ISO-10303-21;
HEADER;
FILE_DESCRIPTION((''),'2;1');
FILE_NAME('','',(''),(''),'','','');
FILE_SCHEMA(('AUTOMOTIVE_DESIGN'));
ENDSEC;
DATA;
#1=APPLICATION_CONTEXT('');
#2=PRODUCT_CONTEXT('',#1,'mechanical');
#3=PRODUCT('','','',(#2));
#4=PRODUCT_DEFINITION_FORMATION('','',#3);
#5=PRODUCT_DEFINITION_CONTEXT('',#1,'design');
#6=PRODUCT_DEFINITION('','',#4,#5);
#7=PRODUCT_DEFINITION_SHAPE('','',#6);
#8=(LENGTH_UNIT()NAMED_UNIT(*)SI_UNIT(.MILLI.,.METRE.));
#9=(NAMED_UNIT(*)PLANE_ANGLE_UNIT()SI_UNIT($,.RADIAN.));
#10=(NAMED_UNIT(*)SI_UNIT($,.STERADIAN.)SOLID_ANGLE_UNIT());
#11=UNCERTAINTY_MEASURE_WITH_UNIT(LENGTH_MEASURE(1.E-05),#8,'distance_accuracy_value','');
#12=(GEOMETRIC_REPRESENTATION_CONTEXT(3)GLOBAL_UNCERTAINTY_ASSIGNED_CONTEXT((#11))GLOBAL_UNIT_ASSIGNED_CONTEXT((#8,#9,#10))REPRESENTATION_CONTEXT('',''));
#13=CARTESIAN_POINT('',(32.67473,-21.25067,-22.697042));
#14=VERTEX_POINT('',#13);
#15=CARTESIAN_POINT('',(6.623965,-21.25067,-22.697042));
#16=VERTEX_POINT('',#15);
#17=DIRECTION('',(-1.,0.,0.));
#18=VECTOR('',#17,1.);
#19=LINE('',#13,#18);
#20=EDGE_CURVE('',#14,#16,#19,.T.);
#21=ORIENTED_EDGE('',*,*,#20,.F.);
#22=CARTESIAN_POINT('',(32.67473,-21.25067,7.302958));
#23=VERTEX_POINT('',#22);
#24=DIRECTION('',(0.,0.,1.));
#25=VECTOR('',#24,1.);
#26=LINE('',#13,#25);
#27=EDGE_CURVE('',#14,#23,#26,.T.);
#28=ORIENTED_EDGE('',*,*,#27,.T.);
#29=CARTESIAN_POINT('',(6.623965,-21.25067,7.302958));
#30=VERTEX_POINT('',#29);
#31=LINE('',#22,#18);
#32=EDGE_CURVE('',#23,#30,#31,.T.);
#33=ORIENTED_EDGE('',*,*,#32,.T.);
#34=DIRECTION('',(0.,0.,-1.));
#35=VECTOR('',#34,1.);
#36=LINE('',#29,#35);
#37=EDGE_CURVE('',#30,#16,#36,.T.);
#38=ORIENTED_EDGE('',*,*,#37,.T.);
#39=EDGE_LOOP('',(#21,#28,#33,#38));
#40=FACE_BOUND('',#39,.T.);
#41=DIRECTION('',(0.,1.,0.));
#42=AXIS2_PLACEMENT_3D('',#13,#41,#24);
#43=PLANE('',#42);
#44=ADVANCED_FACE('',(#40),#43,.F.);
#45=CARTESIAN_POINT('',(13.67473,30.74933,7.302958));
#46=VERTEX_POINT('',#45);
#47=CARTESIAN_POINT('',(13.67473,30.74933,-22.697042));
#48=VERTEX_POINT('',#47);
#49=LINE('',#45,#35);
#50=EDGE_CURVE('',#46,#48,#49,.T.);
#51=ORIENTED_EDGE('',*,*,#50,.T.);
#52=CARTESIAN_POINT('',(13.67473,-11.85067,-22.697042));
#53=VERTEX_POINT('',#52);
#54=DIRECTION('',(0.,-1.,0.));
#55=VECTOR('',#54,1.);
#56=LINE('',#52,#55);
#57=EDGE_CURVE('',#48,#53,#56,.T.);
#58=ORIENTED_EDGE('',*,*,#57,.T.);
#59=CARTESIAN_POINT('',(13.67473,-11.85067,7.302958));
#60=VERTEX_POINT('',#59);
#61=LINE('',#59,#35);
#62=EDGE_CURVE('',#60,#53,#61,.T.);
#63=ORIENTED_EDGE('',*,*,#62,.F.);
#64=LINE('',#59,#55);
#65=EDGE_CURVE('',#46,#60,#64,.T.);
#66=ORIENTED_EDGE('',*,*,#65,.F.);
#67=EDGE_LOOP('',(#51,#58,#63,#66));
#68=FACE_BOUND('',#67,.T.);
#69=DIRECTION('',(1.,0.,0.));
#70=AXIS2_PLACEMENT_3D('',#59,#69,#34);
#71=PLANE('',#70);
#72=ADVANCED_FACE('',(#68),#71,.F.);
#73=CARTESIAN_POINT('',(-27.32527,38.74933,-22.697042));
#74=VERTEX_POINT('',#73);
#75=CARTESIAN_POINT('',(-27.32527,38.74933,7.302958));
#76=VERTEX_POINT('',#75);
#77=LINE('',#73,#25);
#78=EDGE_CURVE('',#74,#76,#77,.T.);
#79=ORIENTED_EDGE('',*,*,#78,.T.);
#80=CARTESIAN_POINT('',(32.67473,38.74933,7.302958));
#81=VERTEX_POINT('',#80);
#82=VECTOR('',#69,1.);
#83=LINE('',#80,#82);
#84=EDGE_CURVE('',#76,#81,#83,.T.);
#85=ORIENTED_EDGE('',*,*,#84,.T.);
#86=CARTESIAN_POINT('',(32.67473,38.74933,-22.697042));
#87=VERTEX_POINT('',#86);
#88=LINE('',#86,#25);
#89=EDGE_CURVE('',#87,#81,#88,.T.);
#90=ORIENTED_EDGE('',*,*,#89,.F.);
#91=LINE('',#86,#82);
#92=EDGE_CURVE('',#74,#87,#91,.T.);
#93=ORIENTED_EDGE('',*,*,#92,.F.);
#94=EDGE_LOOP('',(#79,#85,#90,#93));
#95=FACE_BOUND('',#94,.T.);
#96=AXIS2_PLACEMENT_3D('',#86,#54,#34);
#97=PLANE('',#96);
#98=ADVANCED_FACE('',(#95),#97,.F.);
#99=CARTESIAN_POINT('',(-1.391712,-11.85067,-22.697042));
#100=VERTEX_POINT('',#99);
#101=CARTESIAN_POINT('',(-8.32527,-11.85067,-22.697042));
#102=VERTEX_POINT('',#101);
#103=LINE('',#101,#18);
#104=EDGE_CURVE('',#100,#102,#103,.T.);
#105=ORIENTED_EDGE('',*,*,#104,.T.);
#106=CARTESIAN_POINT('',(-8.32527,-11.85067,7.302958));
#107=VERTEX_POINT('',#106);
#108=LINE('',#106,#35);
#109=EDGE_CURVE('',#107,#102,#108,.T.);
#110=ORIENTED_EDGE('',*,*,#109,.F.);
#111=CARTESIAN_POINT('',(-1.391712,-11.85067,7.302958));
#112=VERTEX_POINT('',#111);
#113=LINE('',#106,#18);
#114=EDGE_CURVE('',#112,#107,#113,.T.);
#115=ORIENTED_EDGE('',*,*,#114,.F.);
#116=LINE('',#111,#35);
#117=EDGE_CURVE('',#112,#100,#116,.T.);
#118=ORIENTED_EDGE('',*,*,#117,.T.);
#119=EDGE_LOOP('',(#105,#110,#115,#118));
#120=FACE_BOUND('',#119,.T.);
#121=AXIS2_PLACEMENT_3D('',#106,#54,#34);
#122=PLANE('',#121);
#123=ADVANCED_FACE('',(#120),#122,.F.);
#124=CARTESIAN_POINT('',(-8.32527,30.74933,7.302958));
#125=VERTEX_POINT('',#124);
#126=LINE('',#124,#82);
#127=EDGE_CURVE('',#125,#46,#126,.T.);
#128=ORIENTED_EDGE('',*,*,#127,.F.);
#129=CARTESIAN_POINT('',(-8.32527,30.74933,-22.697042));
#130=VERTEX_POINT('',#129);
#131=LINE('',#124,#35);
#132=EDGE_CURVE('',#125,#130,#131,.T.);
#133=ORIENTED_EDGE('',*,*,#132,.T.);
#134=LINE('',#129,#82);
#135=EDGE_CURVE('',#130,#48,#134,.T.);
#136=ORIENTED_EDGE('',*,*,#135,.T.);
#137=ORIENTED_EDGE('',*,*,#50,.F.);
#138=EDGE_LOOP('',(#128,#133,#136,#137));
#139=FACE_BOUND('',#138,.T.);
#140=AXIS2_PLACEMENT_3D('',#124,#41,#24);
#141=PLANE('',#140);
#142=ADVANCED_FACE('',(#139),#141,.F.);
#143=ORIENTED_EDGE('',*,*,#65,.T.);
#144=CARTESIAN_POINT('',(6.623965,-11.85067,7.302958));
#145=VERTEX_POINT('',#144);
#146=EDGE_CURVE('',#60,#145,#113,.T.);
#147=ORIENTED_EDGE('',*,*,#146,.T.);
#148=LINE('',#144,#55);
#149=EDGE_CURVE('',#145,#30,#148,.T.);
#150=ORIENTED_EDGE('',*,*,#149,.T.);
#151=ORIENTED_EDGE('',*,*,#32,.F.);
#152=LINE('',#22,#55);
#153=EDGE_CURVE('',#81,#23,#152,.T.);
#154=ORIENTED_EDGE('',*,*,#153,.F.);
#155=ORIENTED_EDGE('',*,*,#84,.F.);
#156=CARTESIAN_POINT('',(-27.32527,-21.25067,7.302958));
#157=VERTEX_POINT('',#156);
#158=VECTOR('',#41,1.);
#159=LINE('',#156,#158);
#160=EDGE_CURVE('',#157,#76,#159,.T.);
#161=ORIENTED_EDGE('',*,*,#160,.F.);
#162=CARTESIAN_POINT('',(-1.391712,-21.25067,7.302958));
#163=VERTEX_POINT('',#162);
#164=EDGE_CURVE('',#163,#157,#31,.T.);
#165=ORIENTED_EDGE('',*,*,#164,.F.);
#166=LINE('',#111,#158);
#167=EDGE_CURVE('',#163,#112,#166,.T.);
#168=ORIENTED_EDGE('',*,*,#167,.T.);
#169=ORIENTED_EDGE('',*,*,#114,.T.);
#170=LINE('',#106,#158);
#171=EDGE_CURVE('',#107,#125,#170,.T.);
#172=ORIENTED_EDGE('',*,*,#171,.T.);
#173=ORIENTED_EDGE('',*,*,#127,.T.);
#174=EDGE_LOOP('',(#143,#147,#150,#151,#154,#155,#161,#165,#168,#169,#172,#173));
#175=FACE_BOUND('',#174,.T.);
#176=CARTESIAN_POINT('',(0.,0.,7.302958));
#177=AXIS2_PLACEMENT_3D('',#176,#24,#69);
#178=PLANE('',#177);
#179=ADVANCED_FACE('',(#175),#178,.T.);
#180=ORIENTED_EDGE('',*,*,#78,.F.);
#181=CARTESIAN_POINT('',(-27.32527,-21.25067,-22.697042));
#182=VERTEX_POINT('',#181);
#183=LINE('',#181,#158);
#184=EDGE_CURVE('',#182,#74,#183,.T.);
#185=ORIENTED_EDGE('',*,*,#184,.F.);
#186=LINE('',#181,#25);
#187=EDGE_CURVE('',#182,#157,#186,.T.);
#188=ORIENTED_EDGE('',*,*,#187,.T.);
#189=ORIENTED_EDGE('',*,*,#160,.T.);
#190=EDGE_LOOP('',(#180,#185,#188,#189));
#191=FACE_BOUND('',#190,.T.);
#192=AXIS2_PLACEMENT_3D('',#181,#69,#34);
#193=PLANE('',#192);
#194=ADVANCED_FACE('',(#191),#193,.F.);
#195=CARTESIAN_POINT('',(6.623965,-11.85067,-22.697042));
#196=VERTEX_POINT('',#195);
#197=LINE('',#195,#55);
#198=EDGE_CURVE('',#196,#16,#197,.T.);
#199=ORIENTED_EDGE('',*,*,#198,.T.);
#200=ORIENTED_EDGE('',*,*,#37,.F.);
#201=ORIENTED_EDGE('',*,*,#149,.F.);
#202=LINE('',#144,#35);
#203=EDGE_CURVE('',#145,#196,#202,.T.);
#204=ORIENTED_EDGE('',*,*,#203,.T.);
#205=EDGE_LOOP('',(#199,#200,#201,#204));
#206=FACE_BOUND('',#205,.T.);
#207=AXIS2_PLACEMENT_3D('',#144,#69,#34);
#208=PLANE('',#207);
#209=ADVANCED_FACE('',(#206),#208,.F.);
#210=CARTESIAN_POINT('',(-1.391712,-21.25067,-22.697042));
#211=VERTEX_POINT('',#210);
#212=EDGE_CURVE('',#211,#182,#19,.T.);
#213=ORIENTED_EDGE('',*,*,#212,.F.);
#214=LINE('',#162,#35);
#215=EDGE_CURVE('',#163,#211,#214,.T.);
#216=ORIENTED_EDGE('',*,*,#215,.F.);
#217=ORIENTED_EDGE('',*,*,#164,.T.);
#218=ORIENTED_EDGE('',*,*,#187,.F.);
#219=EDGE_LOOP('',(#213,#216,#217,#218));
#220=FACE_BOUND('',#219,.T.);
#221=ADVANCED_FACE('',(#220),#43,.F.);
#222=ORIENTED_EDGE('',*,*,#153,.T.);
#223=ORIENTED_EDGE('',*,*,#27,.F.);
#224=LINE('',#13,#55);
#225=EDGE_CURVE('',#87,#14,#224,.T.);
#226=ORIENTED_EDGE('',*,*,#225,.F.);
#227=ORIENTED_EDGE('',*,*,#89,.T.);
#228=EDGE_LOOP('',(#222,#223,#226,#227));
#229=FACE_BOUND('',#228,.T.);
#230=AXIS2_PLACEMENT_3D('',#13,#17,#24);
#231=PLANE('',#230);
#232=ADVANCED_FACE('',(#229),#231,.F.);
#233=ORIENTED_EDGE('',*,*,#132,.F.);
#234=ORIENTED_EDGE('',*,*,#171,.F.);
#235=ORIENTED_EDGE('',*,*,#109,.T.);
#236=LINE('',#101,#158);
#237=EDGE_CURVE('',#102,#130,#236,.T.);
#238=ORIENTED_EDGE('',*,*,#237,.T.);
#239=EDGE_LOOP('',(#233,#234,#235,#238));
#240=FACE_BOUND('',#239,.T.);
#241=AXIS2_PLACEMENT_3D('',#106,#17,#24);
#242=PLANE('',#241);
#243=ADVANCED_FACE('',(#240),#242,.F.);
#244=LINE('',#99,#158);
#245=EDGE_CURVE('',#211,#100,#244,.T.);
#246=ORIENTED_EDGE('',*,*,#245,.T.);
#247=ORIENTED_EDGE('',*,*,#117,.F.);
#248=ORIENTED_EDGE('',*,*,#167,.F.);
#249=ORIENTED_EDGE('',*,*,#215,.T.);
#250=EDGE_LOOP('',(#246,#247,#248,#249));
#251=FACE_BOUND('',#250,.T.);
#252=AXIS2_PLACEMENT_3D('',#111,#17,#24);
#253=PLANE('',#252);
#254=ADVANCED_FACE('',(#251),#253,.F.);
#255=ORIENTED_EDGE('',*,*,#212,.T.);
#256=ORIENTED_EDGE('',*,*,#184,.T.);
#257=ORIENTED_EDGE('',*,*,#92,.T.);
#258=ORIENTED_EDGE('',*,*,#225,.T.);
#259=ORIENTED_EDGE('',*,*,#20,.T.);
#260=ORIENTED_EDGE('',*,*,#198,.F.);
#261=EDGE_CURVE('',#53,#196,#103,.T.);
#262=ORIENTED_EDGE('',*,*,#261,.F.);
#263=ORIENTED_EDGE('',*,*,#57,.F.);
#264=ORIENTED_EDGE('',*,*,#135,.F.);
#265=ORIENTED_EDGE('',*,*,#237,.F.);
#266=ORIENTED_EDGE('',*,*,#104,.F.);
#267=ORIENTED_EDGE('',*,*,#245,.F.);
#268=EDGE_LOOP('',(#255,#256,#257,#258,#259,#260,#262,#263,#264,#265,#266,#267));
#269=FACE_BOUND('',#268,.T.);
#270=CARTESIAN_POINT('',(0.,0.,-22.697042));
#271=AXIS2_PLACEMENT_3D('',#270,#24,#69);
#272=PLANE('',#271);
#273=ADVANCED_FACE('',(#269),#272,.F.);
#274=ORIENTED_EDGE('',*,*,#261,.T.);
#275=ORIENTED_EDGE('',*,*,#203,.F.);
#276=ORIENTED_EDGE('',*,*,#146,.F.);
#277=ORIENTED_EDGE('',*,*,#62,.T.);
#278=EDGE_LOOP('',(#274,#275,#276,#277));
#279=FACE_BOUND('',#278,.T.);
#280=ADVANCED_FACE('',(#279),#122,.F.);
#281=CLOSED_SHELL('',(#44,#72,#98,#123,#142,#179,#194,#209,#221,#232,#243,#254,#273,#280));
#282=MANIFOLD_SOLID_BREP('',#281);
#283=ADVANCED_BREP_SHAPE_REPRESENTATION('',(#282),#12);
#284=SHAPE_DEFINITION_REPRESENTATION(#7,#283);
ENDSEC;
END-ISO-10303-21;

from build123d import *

# Parameters (mm, degrees)
SKETCH1_W           = 60
SKETCH1_H           = 60
BOSS_EXTRUDE1_DEPTH = 30
SKETCH2_W           = 22
SKETCH2_H           = 42.6
CUT_EXTRUDE1_DEPTH  = 59.89947825
SKETCH4_W           = 8.015676437
SKETCH4_H           = 9.4
CUT_EXTRUDE3_DEPTH  = 59.89947825


with BuildPart() as part:
    # Sketch1 → Boss-Extrude1 (new body)
    with BuildSketch(Plane(origin=(0, 0, 7.302957559), x_dir=(-1, 0, 0), z_dir=(0, 0, -1))):
        with Locations((-2.674729751, 8.74932998)):
            Rectangle(SKETCH1_W, SKETCH1_H)
    extrude(amount=BOSS_EXTRUDE1_DEPTH)

    # Sketch2 → Cut-Extrude1 (cut, through all)
    with BuildSketch(Plane(origin=(0, 0, -22.697042441), x_dir=(-1, 0, 0), z_dir=(0, 0, -1))):
        with Locations((-2.674729751, 9.44932998)):
            Rectangle(SKETCH2_W, SKETCH2_H)
    extrude(amount=-CUT_EXTRUDE1_DEPTH, mode=Mode.SUBTRACT)

    # Sketch4 → Cut-Extrude3 (cut, through all)
    with BuildSketch(Plane(origin=(0, 0, -22.697042441), x_dir=(-1, 0, 0), z_dir=(0, 0, -1))):
        with Locations((-2.616126324, -16.55067002)):
            Rectangle(SKETCH4_W, SKETCH4_H)
    extrude(amount=-CUT_EXTRUDE3_DEPTH, mode=Mode.SUBTRACT)


solid = part.part
